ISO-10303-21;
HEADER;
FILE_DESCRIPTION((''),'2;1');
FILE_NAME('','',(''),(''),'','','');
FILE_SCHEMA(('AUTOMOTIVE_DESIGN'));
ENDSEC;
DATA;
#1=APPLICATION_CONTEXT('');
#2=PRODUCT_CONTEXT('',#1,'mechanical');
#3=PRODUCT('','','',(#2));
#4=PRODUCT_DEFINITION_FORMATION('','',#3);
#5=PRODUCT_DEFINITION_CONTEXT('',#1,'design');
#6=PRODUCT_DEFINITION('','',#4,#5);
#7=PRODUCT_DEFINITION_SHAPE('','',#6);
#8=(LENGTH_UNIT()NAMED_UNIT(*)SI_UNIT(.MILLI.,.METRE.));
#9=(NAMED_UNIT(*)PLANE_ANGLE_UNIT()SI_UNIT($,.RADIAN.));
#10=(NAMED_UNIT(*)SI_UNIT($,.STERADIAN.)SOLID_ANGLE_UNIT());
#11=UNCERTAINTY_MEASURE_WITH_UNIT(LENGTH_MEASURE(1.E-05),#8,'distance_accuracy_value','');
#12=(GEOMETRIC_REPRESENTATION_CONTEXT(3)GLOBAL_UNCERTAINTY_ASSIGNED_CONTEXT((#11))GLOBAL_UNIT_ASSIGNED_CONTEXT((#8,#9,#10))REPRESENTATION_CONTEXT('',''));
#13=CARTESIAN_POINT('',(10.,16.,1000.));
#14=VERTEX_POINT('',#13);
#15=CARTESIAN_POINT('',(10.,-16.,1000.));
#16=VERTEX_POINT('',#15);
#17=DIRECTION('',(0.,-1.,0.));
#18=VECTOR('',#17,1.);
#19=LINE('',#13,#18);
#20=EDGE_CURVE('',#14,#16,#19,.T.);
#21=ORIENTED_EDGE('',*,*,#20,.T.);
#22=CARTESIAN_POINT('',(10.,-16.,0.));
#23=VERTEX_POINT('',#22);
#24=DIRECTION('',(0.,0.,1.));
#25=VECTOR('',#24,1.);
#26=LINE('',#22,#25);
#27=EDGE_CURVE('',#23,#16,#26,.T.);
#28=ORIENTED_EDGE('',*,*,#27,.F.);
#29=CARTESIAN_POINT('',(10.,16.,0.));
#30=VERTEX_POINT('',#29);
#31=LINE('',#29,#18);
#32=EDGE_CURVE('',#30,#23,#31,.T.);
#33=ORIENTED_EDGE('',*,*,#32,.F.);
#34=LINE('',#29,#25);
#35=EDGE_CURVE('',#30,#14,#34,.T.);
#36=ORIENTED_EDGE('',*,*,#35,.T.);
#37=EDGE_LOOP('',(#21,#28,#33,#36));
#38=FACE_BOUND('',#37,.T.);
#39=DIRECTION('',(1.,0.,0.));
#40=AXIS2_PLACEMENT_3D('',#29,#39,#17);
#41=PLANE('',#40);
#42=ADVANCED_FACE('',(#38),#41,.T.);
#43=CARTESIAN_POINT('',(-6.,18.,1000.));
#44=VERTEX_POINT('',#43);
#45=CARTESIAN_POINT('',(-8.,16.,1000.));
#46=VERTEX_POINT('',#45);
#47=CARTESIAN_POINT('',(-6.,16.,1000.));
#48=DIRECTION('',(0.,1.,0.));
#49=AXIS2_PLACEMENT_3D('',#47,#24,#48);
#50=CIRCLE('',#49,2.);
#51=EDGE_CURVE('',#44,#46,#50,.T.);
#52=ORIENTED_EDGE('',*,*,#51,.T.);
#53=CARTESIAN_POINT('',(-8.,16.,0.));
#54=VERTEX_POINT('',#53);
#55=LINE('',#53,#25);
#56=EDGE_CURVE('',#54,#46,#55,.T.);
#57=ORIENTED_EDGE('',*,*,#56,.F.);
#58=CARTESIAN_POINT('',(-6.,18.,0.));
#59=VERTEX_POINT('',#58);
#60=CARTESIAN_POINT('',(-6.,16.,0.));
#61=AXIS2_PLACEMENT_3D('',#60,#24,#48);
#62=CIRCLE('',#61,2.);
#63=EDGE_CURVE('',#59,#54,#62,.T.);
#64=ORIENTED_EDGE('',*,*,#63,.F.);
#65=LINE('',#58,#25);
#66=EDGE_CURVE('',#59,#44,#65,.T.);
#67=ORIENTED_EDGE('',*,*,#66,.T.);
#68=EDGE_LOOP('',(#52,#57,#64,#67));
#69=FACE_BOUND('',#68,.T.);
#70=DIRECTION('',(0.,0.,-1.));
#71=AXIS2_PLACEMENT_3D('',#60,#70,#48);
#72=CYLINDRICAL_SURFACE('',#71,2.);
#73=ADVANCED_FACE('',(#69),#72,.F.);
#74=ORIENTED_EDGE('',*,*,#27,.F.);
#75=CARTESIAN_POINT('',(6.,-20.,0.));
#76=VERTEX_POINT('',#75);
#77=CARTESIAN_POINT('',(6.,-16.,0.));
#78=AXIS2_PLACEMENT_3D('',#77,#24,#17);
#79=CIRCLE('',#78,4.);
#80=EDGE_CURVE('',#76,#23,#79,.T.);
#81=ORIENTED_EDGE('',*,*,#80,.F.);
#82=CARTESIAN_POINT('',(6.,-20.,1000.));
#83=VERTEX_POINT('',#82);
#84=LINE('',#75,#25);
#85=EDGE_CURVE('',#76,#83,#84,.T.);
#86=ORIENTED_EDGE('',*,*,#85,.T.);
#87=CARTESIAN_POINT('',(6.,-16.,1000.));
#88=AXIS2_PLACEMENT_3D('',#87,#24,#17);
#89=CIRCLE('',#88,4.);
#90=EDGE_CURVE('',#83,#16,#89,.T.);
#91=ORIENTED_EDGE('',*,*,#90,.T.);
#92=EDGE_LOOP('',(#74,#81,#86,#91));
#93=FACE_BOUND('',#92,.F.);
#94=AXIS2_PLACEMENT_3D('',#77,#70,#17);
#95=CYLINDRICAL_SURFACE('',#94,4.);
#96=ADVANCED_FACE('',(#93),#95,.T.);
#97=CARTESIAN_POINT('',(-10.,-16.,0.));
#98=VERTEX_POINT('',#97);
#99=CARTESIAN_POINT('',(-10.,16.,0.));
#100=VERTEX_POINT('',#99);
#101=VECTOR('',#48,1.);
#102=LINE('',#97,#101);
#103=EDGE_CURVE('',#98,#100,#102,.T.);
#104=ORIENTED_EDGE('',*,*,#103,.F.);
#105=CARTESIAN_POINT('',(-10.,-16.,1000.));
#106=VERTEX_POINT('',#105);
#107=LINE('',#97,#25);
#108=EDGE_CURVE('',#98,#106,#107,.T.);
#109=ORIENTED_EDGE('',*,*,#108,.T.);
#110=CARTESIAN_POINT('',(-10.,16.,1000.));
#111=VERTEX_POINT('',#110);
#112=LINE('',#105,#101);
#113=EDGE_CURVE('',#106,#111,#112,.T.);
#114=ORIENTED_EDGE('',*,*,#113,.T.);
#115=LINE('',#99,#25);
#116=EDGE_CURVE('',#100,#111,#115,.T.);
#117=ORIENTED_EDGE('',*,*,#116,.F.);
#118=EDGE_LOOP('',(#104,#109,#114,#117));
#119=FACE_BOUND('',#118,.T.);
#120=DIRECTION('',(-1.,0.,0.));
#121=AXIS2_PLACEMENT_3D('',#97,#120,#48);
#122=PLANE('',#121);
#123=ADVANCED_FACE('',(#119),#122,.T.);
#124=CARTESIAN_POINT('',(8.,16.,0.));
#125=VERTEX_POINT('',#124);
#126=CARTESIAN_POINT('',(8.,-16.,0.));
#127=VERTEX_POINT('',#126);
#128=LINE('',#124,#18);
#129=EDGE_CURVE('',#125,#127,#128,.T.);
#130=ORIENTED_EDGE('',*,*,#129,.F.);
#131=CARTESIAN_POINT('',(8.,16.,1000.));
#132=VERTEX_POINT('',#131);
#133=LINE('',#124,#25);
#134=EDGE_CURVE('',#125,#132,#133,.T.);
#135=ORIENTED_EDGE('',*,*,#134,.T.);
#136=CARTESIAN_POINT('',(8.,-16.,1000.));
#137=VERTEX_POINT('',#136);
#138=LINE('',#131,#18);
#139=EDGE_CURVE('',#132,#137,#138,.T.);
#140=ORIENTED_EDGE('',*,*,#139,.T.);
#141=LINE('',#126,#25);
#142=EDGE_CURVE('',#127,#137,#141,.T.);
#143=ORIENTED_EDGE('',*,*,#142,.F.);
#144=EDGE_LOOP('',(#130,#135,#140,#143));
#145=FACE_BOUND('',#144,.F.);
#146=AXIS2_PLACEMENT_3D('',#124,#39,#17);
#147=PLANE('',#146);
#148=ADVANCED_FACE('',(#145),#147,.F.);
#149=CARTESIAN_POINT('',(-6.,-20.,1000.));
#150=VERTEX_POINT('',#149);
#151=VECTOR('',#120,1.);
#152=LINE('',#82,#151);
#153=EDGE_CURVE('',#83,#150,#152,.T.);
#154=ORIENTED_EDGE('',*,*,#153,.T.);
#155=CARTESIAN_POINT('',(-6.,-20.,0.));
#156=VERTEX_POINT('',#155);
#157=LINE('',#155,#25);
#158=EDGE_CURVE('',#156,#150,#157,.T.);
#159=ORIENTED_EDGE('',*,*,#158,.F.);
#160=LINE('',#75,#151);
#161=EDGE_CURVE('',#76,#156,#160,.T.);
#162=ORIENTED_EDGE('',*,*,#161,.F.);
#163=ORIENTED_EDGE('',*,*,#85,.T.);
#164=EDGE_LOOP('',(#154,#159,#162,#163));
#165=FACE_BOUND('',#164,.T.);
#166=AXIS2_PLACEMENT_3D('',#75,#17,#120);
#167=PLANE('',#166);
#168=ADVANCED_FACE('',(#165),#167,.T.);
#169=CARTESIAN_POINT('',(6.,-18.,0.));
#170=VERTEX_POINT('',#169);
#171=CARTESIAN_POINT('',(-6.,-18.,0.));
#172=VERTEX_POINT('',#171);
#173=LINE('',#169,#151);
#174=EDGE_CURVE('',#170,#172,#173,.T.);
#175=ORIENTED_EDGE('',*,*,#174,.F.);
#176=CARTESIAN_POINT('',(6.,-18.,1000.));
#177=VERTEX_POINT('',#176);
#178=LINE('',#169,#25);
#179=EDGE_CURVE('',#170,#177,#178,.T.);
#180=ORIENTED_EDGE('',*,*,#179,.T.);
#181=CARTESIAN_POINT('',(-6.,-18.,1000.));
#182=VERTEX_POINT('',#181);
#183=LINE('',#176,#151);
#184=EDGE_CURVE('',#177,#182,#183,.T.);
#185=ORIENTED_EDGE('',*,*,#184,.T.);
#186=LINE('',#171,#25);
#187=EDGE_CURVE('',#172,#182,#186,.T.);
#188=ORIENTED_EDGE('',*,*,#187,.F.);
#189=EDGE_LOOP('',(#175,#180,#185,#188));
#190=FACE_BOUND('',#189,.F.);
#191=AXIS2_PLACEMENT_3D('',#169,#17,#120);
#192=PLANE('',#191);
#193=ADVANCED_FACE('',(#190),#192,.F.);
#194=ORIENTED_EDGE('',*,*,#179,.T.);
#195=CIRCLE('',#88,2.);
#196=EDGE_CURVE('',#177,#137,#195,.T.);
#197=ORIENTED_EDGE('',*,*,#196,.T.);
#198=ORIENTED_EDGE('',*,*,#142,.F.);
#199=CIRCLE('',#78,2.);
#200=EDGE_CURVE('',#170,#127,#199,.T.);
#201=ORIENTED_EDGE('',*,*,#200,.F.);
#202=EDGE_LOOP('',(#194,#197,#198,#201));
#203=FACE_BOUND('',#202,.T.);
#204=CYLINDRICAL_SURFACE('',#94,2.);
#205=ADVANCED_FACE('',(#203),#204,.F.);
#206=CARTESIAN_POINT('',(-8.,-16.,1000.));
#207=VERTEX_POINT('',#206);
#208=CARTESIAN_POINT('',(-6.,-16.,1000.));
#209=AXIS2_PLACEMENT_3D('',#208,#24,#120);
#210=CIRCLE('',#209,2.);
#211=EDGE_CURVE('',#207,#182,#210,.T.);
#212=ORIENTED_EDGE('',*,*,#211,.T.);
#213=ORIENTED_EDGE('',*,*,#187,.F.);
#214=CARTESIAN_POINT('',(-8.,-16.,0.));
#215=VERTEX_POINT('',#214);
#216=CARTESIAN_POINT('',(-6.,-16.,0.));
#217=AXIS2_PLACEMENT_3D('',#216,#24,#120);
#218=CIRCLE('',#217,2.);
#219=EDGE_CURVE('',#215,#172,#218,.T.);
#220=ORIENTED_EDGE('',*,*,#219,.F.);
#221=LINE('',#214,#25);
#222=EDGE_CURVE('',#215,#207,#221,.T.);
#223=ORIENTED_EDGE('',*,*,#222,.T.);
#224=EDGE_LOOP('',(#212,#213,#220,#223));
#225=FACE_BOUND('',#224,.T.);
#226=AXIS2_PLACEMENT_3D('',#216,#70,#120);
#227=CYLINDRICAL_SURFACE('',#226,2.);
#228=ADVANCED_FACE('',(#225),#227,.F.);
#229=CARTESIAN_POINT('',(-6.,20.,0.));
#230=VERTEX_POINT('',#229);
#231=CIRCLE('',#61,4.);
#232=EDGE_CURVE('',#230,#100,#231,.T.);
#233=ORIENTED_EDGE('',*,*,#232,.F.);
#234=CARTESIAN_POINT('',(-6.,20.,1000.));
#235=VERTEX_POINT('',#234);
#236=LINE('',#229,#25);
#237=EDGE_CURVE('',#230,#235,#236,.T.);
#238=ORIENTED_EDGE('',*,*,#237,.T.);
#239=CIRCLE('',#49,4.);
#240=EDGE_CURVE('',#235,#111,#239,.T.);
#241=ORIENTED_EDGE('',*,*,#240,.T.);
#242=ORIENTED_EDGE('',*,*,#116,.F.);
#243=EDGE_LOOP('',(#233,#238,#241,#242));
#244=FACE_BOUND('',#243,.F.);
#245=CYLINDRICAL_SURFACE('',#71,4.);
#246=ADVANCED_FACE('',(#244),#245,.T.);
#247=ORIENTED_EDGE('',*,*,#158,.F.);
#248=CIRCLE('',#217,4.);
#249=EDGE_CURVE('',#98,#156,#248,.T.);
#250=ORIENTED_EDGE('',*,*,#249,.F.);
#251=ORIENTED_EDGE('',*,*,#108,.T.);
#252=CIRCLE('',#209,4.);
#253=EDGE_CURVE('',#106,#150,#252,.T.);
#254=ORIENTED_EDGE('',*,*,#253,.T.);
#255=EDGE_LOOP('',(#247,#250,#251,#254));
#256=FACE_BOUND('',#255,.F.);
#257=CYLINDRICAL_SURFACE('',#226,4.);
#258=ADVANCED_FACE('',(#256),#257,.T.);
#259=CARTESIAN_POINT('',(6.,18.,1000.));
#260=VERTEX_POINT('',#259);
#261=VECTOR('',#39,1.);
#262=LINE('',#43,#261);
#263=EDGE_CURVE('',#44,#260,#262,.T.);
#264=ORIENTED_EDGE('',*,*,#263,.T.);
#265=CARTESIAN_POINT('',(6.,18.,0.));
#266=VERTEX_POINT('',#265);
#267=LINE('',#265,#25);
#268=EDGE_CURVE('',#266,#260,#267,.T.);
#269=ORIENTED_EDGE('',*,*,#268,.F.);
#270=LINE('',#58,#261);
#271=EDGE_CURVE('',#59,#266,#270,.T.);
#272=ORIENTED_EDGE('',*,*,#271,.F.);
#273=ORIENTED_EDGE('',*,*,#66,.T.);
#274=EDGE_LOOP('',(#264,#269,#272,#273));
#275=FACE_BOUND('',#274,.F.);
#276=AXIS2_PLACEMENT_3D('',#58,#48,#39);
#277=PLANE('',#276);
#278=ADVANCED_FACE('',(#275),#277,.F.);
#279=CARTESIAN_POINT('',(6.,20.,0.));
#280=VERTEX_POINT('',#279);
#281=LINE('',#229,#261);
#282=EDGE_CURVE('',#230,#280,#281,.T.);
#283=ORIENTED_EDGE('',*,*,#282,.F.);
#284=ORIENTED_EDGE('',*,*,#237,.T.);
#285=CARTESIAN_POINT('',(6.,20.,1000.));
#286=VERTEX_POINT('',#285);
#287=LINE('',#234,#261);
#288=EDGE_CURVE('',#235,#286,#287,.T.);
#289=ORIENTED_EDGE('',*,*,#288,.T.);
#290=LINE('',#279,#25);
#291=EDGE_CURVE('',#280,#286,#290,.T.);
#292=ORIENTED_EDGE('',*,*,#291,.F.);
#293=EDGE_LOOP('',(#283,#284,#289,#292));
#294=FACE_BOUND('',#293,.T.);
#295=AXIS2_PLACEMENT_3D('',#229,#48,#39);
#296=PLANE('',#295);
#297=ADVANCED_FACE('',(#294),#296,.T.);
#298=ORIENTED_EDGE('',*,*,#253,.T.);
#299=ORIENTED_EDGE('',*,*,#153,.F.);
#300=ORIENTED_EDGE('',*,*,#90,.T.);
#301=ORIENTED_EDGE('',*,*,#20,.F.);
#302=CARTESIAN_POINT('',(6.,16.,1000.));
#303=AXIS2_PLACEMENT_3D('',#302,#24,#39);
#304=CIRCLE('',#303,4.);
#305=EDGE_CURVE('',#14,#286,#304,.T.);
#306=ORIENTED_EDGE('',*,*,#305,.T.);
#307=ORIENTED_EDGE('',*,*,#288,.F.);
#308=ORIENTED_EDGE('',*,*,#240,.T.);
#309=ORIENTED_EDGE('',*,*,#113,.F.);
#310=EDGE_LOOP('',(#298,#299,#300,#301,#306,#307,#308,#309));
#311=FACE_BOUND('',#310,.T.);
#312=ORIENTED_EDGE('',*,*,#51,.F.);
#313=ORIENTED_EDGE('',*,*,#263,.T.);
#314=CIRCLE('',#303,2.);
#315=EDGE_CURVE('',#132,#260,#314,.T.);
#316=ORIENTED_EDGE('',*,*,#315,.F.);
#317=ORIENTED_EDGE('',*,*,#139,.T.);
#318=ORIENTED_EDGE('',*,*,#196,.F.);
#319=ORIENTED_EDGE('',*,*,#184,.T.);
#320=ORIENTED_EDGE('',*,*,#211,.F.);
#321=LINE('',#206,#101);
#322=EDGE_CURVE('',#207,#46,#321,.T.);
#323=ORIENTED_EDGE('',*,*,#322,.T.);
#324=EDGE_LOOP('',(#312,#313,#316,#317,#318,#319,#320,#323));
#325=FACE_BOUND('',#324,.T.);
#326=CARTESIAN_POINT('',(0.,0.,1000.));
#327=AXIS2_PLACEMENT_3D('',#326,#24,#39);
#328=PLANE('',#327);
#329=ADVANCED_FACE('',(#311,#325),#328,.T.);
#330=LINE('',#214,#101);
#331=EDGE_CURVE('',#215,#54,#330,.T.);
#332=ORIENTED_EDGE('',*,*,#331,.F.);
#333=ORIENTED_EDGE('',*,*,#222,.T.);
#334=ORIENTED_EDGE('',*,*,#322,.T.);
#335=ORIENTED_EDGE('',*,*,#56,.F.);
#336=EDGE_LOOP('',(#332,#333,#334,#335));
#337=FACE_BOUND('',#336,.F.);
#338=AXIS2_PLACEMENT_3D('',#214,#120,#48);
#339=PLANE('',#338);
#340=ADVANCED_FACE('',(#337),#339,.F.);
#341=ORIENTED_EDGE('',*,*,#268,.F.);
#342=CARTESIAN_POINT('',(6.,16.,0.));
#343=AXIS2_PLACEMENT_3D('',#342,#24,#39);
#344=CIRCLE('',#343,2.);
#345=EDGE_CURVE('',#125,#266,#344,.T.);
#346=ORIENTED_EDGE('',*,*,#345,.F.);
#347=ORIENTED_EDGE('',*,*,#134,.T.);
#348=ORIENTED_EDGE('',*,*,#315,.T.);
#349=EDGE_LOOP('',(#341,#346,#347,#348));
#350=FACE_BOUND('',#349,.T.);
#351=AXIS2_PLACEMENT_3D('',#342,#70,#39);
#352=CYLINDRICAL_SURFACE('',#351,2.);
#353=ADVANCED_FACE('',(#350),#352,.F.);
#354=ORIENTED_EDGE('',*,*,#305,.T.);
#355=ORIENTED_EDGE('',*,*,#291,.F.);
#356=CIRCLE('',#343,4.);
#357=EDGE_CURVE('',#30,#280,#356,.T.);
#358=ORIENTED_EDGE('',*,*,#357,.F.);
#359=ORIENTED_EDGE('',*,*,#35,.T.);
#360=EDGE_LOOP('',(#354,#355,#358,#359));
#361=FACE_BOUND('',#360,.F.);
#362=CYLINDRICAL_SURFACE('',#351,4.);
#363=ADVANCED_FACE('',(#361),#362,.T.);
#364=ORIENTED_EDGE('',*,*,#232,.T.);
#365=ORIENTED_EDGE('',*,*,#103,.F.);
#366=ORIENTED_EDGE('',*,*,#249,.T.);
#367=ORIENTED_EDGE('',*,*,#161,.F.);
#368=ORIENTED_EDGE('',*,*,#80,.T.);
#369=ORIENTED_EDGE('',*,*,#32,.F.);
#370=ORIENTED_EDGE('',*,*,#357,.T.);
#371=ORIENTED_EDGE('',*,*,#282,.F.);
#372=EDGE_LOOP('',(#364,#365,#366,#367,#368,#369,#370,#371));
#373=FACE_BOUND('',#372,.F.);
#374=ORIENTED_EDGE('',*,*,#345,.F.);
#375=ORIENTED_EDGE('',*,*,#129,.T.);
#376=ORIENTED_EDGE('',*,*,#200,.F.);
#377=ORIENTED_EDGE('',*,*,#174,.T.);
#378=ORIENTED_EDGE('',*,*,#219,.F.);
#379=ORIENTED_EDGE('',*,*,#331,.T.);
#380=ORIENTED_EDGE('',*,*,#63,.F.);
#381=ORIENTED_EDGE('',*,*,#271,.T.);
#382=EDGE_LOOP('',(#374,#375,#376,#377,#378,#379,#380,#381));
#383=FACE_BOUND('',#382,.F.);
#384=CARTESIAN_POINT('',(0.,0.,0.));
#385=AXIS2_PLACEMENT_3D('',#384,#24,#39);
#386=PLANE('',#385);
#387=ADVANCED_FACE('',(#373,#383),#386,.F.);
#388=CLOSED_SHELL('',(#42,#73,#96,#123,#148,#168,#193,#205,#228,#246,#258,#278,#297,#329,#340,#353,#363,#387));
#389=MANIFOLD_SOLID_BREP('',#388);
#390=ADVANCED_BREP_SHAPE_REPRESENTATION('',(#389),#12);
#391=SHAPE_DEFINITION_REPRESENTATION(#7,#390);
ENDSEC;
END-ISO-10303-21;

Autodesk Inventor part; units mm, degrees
ref_plane "YZ Plane" through (0, 0, 0) normal (1, 0, 0) x (0, 1, 0)
ref_plane "Start plane" through (0, 0, 0) normal (0, 0, 1) x (1, 0, 0)
ref_plane "End plane" through (0, 0, 1000) normal (0, 0, 1) x (1, 0, 0)
sketch "Sketch" plane through (0, 0, 0) normal (0, 0, 1) x (1, 0, 0)
  line L0 (-10, -16) -> (-10, 16)
  line L1 (-6, 20) -> (6, 20)
  line L2 (10, 16) -> (10, -16)
  line L3 (6, -20) -> (-6, -20)
  arc A0 (-10, -16) -> (-6, -20) centre (-6, -16) ccw
  arc A1 (10, 16) -> (6, 20) centre (6, 16) ccw
  arc A2 (-6, 20) -> (-10, 16) centre (-6, 16) ccw
  arc A3 (6, -20) -> (10, -16) centre (6, -16) ccw
  arc A4 (-6, 18) -> (-8, 16) centre (-6, 16) ccw
  line L4 (-6, 18) -> (6, 18)
  arc A5 (8, 16) -> (6, 18) centre (6, 16) ccw
  line L5 (8, 16) -> (8, -16)
  arc A6 (6, -18) -> (8, -16) centre (6, -16) ccw
  line L6 (6, -18) -> (-6, -18)
  arc A7 (-8, -16) -> (-6, -18) centre (-6, -16) ccw
  line L7 (-8, -16) -> (-8, 16)
  line L8 (0, 37.1021) -> (0, -37.1021) construction
  line L9 (-23.1021, 0) -> (23.1021, 0) construction
  dimension "d7" = 4
  dimension "d9" = 20
  dimension "d11" = 40
  dimension "d12" = 2
  dimension "d15" = 10
  dimension "d16" = 20
extrude "Body" add sketch "Sketch" along normal up to surface (1000 mm away) from surface at 0
sketch "Sketch3" plane through (0, 0, 0) normal (0, 0, 1) x (1, 0, 0)
  line L0 (0, 0) -> (10, 0)
ref_plane "Work Plane3" through (0, 0, 0) normal (0, -1, 0) x (1, 0, 0)
sketch "Sketch4" plane through (0, 0, 0) normal (0, -1, 0) x (1, 0, 0)
  line L0 (-2, 0) -> (12, 0) projected
  line L1 (-2, 1000) -> (12, 1000) projected
  dimension "d18" = 1000
equation "\"d7\" = G_IR"
equation "\"d9\" = G_W"
equation "\"d11\" = G_H"
equation "\"d12\" = G_T"
equation "\"d15\" = 0.5 * d9"
equation "\"d16\" = 0.5 * d11"
equation "\"d3\" = G_L"
equation "\"G_W\" = 20"
equation "\"G_H\" = 40"
equation "\"G_T\" = 2"
equation "\"G_IR\" = 4"
equation "\"G_L\" = d18"
equation "\"G_OFFSET_START\" = 0"
equation "\"G_OFFSET_END\" = 0"
properties part number "ISO 10799-2 - 40x20x2 - 1000" material "Steel, Mild"
